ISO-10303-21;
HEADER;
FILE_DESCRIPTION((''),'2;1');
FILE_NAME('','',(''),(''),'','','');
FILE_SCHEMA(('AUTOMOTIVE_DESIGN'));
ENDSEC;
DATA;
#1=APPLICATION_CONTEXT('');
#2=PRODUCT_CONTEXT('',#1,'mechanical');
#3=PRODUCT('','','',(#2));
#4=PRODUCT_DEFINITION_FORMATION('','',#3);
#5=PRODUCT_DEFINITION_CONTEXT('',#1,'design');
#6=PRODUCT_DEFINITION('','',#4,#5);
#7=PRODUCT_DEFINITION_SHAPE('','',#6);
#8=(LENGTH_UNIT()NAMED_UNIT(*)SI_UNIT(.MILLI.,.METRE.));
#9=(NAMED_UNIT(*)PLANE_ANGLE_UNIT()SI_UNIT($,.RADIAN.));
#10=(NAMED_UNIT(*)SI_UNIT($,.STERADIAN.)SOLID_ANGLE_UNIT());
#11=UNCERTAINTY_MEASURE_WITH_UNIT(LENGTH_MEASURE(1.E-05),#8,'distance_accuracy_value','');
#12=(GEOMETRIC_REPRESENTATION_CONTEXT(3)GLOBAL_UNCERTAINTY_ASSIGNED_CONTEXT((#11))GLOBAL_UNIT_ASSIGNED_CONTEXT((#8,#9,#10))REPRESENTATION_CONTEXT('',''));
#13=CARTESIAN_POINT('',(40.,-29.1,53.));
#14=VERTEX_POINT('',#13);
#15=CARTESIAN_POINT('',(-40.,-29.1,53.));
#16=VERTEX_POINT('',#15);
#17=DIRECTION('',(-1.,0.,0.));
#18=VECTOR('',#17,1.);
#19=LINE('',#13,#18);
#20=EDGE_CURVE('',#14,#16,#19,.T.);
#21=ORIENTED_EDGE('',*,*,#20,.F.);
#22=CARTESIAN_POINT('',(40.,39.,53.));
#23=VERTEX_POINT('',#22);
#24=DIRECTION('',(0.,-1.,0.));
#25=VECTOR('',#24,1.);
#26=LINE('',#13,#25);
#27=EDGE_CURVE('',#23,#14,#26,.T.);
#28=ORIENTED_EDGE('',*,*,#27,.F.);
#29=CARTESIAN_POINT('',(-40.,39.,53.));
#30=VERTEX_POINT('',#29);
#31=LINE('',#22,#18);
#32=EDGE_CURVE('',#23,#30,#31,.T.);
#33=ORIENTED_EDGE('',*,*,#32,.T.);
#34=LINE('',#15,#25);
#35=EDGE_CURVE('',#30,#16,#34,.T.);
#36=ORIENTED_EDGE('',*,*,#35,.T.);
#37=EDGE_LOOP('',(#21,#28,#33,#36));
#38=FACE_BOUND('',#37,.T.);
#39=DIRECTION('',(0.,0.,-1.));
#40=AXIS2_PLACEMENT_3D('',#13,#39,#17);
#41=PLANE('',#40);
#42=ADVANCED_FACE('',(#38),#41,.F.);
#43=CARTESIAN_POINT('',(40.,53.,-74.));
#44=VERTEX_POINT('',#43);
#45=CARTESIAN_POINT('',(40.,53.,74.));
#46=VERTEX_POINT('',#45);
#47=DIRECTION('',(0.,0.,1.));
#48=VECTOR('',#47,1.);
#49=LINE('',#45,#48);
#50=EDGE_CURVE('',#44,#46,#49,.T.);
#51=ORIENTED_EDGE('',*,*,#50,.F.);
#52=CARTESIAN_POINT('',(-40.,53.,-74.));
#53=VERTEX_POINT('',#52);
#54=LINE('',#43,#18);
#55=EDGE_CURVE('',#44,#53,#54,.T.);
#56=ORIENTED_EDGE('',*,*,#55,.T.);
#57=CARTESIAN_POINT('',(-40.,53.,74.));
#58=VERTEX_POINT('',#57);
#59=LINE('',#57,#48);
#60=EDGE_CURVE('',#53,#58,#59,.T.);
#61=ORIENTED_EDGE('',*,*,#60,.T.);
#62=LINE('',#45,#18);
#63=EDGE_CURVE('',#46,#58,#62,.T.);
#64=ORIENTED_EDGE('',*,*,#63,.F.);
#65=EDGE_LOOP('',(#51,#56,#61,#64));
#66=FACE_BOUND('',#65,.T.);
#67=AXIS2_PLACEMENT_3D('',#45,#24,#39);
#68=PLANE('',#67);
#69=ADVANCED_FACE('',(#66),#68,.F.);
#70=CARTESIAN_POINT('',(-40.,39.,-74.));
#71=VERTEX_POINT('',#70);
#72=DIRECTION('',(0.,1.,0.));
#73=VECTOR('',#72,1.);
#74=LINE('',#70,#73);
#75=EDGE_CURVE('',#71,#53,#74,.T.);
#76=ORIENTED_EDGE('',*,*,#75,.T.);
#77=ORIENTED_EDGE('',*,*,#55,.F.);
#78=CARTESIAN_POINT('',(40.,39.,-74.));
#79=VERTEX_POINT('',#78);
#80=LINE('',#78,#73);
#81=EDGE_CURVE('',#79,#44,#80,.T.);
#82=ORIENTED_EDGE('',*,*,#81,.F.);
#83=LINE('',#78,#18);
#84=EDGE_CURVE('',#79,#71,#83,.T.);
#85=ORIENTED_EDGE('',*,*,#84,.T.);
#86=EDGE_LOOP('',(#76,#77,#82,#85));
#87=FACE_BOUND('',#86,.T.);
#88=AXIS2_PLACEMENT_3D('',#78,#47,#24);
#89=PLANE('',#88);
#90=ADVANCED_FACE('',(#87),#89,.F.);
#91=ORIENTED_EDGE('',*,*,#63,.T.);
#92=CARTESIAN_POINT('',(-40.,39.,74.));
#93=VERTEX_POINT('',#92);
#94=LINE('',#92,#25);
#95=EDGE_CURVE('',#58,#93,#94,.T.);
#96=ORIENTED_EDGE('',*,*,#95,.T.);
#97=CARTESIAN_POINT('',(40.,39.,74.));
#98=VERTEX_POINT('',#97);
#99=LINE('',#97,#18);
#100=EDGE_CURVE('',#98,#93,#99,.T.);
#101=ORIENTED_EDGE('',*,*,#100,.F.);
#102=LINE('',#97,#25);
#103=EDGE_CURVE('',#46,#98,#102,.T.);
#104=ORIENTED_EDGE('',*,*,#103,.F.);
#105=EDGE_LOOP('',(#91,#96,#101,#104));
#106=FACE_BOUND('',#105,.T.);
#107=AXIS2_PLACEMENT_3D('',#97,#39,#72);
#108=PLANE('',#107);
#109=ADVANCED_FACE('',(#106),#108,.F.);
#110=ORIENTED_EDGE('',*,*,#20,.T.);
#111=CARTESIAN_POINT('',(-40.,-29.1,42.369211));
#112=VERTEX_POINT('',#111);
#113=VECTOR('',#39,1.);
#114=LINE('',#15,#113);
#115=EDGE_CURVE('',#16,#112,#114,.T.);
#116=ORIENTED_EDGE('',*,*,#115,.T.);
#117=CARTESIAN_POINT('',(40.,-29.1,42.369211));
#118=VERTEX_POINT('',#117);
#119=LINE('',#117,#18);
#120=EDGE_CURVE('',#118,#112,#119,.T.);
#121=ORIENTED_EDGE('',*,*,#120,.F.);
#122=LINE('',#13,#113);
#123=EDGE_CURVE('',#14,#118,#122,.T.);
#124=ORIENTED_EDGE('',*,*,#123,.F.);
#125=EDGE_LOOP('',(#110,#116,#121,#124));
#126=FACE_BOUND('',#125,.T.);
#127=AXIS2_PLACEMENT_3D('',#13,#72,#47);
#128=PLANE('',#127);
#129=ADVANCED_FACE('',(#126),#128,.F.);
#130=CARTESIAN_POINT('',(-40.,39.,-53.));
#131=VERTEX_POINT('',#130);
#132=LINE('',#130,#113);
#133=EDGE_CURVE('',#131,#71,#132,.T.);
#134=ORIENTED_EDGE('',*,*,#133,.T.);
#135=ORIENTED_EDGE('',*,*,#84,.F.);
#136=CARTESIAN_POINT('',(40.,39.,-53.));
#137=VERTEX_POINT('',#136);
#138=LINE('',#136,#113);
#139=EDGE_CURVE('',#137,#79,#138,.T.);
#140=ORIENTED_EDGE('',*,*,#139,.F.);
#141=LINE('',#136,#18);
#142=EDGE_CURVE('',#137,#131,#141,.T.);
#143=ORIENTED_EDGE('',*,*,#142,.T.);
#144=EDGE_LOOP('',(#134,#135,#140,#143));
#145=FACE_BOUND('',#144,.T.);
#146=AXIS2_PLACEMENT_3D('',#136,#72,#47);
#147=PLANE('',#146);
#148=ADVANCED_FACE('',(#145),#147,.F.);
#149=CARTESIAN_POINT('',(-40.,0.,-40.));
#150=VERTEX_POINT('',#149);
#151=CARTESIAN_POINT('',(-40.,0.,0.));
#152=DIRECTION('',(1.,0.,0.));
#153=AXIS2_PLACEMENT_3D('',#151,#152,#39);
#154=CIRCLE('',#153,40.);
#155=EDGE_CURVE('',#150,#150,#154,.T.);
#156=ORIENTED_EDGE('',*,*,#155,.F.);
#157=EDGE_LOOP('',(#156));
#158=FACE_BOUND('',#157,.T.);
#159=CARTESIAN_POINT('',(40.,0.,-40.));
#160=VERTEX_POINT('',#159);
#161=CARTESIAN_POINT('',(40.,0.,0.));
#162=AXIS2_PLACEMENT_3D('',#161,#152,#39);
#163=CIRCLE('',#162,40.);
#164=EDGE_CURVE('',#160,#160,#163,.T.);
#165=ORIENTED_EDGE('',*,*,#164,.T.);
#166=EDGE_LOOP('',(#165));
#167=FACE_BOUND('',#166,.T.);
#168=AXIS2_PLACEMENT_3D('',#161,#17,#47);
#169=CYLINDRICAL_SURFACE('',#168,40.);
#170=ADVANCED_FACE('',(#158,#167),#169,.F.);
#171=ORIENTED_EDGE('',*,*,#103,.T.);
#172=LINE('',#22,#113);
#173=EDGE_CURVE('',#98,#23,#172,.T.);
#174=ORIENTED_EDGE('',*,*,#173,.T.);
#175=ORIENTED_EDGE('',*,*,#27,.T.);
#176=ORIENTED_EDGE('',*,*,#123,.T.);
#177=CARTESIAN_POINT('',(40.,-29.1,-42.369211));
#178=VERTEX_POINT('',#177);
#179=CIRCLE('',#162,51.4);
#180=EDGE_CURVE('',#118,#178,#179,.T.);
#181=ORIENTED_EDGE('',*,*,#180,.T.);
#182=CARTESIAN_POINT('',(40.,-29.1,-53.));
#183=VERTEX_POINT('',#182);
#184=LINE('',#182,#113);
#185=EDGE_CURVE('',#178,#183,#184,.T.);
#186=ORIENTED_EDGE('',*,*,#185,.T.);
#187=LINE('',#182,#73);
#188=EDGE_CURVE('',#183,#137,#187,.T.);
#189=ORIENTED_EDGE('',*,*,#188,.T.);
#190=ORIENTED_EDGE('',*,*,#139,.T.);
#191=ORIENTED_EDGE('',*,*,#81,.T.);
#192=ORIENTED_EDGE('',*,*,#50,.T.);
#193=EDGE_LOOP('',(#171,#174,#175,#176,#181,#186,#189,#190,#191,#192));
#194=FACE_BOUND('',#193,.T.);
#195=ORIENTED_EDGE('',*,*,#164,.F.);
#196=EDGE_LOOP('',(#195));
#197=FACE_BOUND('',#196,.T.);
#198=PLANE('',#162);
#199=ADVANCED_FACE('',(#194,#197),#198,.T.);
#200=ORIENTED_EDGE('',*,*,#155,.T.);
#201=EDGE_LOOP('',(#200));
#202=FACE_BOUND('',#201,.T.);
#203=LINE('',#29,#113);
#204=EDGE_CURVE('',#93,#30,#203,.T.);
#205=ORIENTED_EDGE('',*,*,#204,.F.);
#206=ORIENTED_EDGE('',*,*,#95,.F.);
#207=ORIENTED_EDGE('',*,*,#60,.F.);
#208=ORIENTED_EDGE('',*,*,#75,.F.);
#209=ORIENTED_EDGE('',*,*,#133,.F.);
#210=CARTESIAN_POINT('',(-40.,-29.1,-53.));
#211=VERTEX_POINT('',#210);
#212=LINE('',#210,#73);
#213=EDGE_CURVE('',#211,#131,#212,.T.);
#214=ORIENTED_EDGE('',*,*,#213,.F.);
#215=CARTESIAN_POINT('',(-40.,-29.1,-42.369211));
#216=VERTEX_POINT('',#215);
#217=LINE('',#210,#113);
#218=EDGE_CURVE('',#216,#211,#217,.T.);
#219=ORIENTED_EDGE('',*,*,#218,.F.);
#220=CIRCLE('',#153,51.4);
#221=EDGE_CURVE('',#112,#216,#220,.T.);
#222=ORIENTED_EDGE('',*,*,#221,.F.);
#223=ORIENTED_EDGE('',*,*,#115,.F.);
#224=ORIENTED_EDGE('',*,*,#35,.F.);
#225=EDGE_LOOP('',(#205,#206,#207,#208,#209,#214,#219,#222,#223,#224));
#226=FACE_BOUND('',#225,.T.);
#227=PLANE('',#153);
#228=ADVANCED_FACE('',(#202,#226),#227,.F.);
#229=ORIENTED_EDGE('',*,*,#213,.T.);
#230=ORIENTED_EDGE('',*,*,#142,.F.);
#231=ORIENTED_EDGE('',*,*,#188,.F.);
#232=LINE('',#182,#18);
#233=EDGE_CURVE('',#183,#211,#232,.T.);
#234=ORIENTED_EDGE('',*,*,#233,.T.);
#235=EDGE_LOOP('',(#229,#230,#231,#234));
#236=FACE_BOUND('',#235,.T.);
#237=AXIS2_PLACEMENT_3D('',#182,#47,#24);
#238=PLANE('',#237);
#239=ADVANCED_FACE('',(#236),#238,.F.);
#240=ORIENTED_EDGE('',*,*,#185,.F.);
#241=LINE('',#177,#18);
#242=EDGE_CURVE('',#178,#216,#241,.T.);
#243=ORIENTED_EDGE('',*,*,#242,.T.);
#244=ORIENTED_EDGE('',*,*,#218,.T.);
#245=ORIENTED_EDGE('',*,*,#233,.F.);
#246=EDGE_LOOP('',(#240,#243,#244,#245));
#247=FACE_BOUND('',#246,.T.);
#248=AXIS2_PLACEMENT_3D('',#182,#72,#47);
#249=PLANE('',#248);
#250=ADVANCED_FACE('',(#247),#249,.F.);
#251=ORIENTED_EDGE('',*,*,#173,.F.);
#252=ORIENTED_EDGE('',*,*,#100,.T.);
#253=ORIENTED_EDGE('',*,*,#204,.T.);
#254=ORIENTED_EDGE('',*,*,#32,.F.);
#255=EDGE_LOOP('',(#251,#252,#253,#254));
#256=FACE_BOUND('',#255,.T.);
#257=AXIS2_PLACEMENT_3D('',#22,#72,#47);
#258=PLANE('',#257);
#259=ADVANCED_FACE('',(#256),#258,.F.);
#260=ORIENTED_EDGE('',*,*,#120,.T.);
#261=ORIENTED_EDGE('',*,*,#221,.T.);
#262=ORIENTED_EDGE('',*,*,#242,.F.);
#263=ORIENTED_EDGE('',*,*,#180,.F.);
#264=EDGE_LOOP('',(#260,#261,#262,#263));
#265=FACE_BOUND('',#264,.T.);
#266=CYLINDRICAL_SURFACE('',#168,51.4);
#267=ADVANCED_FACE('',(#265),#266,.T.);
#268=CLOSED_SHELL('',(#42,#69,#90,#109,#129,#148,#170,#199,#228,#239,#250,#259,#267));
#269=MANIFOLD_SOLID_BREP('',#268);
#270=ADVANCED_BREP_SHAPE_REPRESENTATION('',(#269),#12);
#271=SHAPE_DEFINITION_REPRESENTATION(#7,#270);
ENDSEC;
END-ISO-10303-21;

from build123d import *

# Parameters (mm, degrees)
SKETCH1_R           = 40
BOSS_EXTRUDE1_DEPTH = 40


with BuildPart() as part:
    # Sketch1 → Boss-Extrude1 (new, symmetric)
    with BuildSketch(Plane(origin=(0, 0, 0), x_dir=(0, 0, -1), z_dir=(1, 0, 0))):
        with BuildLine():
            Line((-53, -29.1), (-42.369210519, -29.1))
            ThreePointArc((-42.369210519, -29.1), (0, -51.4), (42.369210519, -29.1))
            Line((42.369210519, -29.1), (53, -29.1))
            Line((53, -29.1), (53, 39))
            Line((53, 39), (74, 39))
            Line((74, 39), (74, 53))
            Line((74, 53), (-74, 53))
            Line((-74, 53), (-74, 39))
            Line((-74, 39), (-53, 39))
            Line((-53, 39), (-53, -29.1))
        make_face()
        Circle(SKETCH1_R, mode=Mode.SUBTRACT)
    extrude(amount=BOSS_EXTRUDE1_DEPTH, both=True)


solid = part.part
